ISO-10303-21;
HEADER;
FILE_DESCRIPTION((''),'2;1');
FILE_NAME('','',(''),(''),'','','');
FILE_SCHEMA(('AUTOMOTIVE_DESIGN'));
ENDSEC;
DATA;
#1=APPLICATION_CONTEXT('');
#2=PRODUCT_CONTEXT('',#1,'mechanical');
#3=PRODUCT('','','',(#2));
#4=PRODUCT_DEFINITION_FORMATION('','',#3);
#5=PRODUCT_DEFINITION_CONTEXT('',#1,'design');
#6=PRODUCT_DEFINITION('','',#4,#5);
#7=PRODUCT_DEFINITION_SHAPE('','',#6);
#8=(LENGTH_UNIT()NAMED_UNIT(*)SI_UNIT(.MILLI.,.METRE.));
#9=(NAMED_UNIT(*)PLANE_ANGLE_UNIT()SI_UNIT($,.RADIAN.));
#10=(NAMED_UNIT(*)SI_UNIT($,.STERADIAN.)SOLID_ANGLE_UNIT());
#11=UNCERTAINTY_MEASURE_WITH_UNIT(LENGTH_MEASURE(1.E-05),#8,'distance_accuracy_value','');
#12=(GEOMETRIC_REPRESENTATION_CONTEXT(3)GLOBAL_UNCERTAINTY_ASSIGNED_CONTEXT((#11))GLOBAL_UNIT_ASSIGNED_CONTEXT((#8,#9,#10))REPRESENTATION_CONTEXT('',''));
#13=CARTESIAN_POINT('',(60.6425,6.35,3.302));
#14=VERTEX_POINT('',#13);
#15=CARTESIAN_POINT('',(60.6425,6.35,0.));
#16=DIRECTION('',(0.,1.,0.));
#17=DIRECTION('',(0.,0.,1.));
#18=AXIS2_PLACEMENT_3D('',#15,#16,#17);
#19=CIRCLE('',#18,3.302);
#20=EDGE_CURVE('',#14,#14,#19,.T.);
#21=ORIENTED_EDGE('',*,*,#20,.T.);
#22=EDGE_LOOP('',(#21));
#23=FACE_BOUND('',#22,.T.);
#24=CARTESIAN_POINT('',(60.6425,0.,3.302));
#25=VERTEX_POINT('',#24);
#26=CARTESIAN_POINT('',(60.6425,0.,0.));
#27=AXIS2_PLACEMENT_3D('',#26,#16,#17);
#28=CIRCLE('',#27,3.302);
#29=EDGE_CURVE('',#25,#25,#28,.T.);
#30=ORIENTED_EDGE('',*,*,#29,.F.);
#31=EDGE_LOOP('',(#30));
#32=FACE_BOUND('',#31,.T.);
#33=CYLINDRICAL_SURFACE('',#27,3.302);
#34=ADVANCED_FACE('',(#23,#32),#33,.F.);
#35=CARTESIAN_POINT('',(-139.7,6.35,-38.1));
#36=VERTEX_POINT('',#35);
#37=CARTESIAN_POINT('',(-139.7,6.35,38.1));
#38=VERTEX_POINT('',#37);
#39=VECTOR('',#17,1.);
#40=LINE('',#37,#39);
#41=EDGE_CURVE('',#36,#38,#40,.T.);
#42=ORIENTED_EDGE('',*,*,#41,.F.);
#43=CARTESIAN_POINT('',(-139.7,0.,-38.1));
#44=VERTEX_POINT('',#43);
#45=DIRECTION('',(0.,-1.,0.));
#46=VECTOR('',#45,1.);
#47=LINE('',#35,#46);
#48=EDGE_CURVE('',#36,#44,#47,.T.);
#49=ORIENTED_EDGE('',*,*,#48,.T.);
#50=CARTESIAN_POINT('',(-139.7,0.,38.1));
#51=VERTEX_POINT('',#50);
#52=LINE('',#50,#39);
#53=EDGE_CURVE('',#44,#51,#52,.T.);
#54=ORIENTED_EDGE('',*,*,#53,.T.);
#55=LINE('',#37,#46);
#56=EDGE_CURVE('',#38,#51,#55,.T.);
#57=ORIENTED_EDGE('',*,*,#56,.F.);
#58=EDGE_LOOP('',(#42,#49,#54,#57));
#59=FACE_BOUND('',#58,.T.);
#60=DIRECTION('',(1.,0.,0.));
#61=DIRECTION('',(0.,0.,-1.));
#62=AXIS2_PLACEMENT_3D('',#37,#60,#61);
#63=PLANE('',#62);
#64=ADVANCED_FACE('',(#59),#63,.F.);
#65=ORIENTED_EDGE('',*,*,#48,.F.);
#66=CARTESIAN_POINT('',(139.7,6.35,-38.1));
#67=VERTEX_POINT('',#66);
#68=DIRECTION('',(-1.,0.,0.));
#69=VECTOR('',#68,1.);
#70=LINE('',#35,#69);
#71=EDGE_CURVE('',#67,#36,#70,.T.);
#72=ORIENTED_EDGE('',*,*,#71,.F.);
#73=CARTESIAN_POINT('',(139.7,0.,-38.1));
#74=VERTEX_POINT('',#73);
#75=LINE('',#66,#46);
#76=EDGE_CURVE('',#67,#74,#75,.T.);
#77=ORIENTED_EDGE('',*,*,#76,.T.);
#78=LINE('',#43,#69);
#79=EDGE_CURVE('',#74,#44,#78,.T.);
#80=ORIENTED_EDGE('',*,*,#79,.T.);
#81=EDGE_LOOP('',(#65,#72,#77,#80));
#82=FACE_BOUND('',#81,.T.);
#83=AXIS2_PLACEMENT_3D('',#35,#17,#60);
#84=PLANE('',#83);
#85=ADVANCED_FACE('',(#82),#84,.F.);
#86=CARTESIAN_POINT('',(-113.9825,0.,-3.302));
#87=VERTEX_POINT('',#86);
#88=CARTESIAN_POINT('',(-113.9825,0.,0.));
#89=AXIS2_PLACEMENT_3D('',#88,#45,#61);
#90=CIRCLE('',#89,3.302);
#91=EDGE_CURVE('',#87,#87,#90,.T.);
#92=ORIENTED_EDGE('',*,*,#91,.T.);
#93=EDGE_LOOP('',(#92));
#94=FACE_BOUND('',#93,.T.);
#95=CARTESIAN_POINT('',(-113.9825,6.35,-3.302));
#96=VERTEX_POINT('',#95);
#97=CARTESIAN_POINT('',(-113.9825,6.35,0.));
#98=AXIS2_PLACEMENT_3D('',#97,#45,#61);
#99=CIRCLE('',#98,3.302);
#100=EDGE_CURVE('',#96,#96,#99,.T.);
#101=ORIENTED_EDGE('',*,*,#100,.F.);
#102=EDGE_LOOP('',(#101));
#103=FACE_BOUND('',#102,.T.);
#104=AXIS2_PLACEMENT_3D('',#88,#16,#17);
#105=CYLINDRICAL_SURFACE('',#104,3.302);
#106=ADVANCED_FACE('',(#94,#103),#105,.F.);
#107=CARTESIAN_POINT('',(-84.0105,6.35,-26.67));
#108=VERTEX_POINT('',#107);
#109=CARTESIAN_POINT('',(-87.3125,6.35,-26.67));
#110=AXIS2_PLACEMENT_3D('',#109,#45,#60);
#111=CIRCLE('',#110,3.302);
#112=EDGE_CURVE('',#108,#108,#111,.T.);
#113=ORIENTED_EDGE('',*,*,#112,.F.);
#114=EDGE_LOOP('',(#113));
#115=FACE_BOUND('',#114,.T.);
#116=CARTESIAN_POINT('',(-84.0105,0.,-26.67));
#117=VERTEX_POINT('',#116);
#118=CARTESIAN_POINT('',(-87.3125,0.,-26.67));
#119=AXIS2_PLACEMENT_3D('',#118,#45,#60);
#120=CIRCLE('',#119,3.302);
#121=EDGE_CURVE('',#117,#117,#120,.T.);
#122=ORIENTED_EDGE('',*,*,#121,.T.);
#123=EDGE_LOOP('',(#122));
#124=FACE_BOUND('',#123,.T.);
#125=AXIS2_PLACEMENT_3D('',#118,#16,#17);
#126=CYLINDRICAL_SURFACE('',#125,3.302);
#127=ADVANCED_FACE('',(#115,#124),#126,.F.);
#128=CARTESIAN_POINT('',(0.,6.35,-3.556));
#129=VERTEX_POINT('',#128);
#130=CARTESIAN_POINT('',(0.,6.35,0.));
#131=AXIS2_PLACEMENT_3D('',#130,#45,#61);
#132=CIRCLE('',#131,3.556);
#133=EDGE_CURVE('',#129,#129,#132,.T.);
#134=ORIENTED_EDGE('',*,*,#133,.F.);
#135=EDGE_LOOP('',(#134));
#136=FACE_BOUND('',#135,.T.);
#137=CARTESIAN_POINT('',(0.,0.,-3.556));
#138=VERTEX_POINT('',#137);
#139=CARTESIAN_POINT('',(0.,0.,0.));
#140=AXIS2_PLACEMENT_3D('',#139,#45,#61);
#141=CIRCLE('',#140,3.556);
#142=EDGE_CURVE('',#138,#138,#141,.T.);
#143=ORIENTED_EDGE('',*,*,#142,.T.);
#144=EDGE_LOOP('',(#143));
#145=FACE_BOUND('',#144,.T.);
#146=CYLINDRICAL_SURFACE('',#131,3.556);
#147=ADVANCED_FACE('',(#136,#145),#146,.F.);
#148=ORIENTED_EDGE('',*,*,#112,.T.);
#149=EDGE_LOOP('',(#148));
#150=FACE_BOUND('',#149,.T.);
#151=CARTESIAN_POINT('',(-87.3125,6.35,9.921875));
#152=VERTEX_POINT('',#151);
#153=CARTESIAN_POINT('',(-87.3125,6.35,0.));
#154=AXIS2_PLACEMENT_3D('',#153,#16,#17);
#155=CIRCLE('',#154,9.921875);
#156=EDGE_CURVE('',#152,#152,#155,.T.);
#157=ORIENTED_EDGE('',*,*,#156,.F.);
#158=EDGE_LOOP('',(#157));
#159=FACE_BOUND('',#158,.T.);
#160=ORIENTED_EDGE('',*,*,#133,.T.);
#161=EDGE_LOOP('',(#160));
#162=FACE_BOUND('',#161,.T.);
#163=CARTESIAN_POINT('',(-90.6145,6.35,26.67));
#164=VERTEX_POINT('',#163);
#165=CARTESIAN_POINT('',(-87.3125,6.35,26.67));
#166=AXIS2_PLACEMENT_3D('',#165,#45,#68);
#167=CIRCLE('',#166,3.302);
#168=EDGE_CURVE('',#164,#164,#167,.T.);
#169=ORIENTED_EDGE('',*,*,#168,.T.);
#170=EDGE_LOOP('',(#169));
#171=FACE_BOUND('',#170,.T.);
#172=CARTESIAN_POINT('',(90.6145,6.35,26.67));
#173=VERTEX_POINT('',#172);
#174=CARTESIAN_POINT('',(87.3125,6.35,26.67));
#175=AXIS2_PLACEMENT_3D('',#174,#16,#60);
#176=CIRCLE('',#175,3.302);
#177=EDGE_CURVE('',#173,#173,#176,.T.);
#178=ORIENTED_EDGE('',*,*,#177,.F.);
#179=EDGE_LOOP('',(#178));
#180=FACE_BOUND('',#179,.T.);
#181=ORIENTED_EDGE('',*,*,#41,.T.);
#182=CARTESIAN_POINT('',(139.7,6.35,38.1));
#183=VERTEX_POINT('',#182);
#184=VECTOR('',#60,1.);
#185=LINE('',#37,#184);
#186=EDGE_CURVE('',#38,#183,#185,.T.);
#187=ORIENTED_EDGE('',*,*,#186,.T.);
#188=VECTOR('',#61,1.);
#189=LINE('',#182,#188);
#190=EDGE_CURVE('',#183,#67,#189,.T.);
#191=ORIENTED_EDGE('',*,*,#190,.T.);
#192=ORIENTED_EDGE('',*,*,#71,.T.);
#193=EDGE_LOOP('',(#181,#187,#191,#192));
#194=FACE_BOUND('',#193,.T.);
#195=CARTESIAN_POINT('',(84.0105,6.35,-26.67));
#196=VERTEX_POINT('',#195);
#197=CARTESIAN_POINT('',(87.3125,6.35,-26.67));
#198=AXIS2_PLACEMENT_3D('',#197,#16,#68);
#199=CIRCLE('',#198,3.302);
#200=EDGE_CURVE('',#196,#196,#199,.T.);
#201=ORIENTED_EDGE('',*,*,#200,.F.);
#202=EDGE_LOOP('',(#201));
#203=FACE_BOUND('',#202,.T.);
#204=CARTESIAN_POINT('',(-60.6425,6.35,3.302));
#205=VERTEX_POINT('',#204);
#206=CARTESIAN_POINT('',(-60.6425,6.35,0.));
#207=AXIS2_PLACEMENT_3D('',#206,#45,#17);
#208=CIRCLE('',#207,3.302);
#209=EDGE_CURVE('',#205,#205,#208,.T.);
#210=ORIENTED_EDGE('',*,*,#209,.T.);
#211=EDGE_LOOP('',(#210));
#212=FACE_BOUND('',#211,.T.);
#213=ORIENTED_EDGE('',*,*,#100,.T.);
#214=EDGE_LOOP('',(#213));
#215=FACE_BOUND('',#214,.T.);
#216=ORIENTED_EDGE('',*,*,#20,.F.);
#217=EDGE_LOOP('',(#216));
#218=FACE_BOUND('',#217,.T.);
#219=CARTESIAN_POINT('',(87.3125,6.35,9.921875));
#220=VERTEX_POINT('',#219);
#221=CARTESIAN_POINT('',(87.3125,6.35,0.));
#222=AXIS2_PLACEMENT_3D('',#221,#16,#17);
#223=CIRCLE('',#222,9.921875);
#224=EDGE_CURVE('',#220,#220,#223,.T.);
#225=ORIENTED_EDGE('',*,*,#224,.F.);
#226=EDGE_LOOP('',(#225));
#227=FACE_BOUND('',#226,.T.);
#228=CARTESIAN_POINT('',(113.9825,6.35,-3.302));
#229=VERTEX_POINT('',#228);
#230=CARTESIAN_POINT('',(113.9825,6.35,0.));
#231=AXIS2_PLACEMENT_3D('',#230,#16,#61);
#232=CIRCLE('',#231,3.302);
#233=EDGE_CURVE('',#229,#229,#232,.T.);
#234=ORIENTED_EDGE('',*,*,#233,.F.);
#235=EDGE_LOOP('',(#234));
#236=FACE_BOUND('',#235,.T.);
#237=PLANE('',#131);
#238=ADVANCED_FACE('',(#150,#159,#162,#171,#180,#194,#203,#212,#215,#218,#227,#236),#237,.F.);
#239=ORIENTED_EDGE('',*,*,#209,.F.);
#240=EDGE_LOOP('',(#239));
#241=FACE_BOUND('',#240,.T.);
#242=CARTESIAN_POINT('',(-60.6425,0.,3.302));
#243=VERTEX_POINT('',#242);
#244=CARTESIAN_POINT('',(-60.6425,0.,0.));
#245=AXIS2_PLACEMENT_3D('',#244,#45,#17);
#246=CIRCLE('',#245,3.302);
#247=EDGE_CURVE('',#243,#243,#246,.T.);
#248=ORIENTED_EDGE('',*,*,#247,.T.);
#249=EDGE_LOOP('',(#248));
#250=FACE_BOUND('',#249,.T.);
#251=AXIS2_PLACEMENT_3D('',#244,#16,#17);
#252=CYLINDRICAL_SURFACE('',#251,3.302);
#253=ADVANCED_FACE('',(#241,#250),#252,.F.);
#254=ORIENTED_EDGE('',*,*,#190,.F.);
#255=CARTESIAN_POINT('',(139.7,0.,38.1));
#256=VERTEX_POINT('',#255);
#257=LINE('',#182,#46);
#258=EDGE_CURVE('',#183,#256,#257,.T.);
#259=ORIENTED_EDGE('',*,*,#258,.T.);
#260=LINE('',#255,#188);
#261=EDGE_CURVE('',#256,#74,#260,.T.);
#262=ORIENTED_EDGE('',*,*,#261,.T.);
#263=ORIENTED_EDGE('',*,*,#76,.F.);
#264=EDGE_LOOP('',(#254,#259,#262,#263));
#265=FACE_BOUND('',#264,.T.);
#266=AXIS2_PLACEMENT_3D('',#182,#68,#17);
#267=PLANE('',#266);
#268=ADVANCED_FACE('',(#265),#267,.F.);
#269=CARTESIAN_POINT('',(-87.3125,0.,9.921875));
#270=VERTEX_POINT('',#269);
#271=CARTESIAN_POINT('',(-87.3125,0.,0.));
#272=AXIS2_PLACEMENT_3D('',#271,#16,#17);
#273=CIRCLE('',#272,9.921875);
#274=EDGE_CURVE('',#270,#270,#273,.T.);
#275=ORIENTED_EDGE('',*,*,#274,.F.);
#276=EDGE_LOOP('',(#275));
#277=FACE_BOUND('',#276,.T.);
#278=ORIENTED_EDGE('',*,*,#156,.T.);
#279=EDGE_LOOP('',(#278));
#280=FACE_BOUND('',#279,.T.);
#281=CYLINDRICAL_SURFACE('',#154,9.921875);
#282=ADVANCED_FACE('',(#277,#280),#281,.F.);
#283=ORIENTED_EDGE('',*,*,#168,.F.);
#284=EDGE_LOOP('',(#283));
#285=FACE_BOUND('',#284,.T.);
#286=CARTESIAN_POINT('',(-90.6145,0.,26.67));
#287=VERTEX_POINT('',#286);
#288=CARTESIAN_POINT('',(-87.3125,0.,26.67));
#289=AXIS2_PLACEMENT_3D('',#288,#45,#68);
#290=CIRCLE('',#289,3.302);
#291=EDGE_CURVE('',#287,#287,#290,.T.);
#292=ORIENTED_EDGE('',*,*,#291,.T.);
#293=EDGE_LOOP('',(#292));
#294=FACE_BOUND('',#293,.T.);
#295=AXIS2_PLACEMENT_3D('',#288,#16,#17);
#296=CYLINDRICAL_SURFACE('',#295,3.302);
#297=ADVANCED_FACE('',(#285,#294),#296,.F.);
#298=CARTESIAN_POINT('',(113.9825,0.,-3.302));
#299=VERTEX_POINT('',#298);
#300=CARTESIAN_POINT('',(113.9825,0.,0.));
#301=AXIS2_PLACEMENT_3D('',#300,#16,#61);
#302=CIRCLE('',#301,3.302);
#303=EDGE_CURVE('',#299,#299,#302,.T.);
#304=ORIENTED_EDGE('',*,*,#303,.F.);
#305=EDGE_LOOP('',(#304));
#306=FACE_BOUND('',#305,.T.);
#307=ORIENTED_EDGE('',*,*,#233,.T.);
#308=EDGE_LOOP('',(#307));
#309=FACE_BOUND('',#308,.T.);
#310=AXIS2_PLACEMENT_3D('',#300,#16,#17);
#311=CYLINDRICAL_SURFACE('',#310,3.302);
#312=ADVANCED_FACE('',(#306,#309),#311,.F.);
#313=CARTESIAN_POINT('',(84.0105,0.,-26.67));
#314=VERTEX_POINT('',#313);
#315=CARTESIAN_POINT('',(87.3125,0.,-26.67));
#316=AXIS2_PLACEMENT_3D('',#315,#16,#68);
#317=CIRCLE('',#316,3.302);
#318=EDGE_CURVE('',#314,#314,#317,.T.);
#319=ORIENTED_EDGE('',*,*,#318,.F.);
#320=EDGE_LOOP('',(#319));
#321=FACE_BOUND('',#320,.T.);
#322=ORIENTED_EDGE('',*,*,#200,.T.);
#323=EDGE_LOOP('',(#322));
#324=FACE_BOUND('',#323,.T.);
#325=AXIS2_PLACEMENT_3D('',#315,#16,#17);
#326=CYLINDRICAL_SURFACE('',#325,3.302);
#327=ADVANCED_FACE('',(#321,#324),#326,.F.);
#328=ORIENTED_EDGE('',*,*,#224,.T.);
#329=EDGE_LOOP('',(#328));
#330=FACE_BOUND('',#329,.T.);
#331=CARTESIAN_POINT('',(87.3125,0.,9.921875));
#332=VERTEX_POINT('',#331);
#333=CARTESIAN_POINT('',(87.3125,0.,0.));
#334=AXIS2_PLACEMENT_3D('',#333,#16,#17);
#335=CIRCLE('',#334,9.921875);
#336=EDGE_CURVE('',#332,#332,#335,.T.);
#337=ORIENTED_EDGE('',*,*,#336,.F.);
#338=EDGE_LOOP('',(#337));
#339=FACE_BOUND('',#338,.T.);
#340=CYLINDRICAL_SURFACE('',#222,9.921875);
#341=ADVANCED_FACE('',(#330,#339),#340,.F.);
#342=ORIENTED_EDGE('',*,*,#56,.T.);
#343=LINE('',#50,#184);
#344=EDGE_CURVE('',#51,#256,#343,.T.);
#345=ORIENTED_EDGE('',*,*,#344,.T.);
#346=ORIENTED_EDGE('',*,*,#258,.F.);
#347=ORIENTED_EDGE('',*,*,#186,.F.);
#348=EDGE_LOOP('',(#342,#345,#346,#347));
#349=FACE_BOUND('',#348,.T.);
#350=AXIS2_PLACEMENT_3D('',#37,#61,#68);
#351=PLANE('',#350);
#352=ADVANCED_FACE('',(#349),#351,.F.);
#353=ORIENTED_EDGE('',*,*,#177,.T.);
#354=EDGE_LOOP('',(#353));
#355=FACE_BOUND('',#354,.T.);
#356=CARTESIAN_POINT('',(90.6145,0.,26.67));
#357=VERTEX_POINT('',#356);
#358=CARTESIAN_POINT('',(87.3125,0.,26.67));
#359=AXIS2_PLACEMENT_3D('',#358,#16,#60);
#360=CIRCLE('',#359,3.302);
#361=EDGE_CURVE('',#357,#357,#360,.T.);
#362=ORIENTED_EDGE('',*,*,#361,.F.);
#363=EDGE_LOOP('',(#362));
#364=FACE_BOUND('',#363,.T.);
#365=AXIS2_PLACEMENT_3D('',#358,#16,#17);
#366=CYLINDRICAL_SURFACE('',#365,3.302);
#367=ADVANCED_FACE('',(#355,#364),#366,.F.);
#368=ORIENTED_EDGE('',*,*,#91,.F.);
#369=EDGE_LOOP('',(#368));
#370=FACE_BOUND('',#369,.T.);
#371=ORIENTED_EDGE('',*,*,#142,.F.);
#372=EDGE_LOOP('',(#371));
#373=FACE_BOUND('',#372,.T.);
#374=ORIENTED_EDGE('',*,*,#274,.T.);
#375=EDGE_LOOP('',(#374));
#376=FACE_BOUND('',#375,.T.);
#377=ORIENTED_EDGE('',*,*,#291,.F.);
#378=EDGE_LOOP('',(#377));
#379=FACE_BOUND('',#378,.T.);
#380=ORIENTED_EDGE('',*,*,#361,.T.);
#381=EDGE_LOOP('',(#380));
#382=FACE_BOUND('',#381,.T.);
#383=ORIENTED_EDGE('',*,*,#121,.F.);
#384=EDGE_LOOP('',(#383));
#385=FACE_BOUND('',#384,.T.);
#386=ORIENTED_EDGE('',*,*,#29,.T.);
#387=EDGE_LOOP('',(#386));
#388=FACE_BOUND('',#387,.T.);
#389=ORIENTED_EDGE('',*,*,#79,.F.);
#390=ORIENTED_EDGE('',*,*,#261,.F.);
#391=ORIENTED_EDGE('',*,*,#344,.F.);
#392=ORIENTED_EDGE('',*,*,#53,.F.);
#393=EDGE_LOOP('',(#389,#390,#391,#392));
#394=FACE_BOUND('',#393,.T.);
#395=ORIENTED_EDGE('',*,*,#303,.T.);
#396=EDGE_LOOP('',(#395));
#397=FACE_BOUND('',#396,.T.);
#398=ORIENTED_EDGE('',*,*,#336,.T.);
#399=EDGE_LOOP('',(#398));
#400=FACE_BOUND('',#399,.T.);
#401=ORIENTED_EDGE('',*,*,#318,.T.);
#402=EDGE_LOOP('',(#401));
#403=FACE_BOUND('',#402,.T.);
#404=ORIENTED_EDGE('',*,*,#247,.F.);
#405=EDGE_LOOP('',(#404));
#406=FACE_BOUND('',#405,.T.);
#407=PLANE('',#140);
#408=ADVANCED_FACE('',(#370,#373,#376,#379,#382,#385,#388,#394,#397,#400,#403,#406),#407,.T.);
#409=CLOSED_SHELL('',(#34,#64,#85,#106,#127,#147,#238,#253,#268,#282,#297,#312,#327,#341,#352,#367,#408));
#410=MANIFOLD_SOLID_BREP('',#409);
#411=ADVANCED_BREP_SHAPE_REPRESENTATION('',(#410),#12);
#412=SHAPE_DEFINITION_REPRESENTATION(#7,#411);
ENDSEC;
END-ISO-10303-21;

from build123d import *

# Parameters (mm, degrees)
SKETCH1_W                        = 279.4
SKETCH1_H                        = 76.2
BOSS_EXTRUDE1_DEPTH              = 6.35
F_25_32_0_78125_DIAMETER_HOLE1_D = 19.84375
SKETCH6_R                        = 3.302
CUT_EXTRUDE1_DEPTH               = 6.35
CIRPATTERN1_COUNT                = 4
MIRROR2_COPY_1_SKETCH_R          = 3.302
MIRROR2_COPY_1_DEPTH             = 6.35
MIRROR2_COPY_2_SKETCH_R          = 3.302
MIRROR2_COPY_2_DEPTH             = 6.35
MIRROR2_COPY_3_SKETCH_R          = 3.302
MIRROR2_COPY_3_DEPTH             = 6.35
SKETCH7_R                        = 3.556
CUT_EXTRUDE2_DEPTH               = 6.35


with BuildPart() as part:
    # Sketch1 → Boss-Extrude1 (new body)
    with BuildSketch(Plane(origin=(0, 0, 0), x_dir=(1, 0, 0), z_dir=(0, 1, 0))):
        Rectangle(SKETCH1_W, SKETCH1_H)
    extrude(amount=BOSS_EXTRUDE1_DEPTH)

    # 25/32 (0.78125) Diameter Hole1 (through all)
    with Locations(Plane(origin=(0, 6.35, 0), x_dir=(1, 0, 0), z_dir=(0, 1, 0))):
        with Locations((87.3125, 0)):
            f_25_32_0_78125_diameter_hole1 = Hole(F_25_32_0_78125_DIAMETER_HOLE1_D / 2)

    # Sketch6 → Cut-Extrude1 (cut)
    with BuildSketch(Plane(origin=(0, 6.35, 0), x_dir=(1, 0, 0), z_dir=(0, 1, 0))):
        with Locations(Location((60.6425, 0, 0), (0, 0, 270))):
            Circle(SKETCH6_R)
    cut_extrude1 = extrude(amount=-CUT_EXTRUDE1_DEPTH, mode=Mode.SUBTRACT)

    # CirPattern1: Cut-Extrude1 ×4 about axis
    cirpattern1_axis = Axis((87.3125, 0, 0), (0, 1, 0))
    for i in range(1, CIRPATTERN1_COUNT):
        add(cut_extrude1.rotate(cirpattern1_axis, i * 360 / CIRPATTERN1_COUNT), mode=Mode.SUBTRACT)

    # Mirror2: 25/32 (0.78125) Diameter Hole1, Cut-Extrude1 across plane
    add(f_25_32_0_78125_diameter_hole1.mirror(Plane(origin=(0, 0, 0), x_dir=(0, 0, 1), z_dir=(1, 0, 0))), mode=Mode.SUBTRACT)
    add(cut_extrude1.mirror(Plane(origin=(0, 0, 0), x_dir=(0, 0, 1), z_dir=(1, 0, 0))), mode=Mode.SUBTRACT)

    # Mirror2 copy 1 sketch → Mirror2 copy 1 (cut)
    with BuildSketch(Plane(origin=(-87.3125, 6.35, 87.3125), x_dir=(0, 0, -1), z_dir=(0, 1, 0))):
        with Locations((60.6425, 0)):
            Circle(MIRROR2_COPY_1_SKETCH_R)
    extrude(amount=-MIRROR2_COPY_1_DEPTH, mode=Mode.SUBTRACT)

    # Mirror2 copy 2 sketch → Mirror2 copy 2 (cut)
    with BuildSketch(Plane(origin=(-174.625, 6.35, 0), x_dir=(1, 0, 0), z_dir=(0, 1, 0))):
        with Locations((60.6425, 0)):
            Circle(MIRROR2_COPY_2_SKETCH_R)
    extrude(amount=-MIRROR2_COPY_2_DEPTH, mode=Mode.SUBTRACT)

    # Mirror2 copy 3 sketch → Mirror2 copy 3 (cut)
    with BuildSketch(Plane(origin=(-87.3125, 6.35, -87.3125), x_dir=(0, 0, 1), z_dir=(0, 1, 0))):
        with Locations((60.6425, 0)):
            Circle(MIRROR2_COPY_3_SKETCH_R)
    extrude(amount=-MIRROR2_COPY_3_DEPTH, mode=Mode.SUBTRACT)

    # Sketch7 → Cut-Extrude2 (cut)
    with BuildSketch(Plane(origin=(0, 0, 0), x_dir=(-1, 0, 0), z_dir=(0, -1, 0))):
        with Locations(Location((0, 0, 0), (0, 0, 90))):
            Circle(SKETCH7_R)
    extrude(amount=-CUT_EXTRUDE2_DEPTH, mode=Mode.SUBTRACT)


solid = part.part
